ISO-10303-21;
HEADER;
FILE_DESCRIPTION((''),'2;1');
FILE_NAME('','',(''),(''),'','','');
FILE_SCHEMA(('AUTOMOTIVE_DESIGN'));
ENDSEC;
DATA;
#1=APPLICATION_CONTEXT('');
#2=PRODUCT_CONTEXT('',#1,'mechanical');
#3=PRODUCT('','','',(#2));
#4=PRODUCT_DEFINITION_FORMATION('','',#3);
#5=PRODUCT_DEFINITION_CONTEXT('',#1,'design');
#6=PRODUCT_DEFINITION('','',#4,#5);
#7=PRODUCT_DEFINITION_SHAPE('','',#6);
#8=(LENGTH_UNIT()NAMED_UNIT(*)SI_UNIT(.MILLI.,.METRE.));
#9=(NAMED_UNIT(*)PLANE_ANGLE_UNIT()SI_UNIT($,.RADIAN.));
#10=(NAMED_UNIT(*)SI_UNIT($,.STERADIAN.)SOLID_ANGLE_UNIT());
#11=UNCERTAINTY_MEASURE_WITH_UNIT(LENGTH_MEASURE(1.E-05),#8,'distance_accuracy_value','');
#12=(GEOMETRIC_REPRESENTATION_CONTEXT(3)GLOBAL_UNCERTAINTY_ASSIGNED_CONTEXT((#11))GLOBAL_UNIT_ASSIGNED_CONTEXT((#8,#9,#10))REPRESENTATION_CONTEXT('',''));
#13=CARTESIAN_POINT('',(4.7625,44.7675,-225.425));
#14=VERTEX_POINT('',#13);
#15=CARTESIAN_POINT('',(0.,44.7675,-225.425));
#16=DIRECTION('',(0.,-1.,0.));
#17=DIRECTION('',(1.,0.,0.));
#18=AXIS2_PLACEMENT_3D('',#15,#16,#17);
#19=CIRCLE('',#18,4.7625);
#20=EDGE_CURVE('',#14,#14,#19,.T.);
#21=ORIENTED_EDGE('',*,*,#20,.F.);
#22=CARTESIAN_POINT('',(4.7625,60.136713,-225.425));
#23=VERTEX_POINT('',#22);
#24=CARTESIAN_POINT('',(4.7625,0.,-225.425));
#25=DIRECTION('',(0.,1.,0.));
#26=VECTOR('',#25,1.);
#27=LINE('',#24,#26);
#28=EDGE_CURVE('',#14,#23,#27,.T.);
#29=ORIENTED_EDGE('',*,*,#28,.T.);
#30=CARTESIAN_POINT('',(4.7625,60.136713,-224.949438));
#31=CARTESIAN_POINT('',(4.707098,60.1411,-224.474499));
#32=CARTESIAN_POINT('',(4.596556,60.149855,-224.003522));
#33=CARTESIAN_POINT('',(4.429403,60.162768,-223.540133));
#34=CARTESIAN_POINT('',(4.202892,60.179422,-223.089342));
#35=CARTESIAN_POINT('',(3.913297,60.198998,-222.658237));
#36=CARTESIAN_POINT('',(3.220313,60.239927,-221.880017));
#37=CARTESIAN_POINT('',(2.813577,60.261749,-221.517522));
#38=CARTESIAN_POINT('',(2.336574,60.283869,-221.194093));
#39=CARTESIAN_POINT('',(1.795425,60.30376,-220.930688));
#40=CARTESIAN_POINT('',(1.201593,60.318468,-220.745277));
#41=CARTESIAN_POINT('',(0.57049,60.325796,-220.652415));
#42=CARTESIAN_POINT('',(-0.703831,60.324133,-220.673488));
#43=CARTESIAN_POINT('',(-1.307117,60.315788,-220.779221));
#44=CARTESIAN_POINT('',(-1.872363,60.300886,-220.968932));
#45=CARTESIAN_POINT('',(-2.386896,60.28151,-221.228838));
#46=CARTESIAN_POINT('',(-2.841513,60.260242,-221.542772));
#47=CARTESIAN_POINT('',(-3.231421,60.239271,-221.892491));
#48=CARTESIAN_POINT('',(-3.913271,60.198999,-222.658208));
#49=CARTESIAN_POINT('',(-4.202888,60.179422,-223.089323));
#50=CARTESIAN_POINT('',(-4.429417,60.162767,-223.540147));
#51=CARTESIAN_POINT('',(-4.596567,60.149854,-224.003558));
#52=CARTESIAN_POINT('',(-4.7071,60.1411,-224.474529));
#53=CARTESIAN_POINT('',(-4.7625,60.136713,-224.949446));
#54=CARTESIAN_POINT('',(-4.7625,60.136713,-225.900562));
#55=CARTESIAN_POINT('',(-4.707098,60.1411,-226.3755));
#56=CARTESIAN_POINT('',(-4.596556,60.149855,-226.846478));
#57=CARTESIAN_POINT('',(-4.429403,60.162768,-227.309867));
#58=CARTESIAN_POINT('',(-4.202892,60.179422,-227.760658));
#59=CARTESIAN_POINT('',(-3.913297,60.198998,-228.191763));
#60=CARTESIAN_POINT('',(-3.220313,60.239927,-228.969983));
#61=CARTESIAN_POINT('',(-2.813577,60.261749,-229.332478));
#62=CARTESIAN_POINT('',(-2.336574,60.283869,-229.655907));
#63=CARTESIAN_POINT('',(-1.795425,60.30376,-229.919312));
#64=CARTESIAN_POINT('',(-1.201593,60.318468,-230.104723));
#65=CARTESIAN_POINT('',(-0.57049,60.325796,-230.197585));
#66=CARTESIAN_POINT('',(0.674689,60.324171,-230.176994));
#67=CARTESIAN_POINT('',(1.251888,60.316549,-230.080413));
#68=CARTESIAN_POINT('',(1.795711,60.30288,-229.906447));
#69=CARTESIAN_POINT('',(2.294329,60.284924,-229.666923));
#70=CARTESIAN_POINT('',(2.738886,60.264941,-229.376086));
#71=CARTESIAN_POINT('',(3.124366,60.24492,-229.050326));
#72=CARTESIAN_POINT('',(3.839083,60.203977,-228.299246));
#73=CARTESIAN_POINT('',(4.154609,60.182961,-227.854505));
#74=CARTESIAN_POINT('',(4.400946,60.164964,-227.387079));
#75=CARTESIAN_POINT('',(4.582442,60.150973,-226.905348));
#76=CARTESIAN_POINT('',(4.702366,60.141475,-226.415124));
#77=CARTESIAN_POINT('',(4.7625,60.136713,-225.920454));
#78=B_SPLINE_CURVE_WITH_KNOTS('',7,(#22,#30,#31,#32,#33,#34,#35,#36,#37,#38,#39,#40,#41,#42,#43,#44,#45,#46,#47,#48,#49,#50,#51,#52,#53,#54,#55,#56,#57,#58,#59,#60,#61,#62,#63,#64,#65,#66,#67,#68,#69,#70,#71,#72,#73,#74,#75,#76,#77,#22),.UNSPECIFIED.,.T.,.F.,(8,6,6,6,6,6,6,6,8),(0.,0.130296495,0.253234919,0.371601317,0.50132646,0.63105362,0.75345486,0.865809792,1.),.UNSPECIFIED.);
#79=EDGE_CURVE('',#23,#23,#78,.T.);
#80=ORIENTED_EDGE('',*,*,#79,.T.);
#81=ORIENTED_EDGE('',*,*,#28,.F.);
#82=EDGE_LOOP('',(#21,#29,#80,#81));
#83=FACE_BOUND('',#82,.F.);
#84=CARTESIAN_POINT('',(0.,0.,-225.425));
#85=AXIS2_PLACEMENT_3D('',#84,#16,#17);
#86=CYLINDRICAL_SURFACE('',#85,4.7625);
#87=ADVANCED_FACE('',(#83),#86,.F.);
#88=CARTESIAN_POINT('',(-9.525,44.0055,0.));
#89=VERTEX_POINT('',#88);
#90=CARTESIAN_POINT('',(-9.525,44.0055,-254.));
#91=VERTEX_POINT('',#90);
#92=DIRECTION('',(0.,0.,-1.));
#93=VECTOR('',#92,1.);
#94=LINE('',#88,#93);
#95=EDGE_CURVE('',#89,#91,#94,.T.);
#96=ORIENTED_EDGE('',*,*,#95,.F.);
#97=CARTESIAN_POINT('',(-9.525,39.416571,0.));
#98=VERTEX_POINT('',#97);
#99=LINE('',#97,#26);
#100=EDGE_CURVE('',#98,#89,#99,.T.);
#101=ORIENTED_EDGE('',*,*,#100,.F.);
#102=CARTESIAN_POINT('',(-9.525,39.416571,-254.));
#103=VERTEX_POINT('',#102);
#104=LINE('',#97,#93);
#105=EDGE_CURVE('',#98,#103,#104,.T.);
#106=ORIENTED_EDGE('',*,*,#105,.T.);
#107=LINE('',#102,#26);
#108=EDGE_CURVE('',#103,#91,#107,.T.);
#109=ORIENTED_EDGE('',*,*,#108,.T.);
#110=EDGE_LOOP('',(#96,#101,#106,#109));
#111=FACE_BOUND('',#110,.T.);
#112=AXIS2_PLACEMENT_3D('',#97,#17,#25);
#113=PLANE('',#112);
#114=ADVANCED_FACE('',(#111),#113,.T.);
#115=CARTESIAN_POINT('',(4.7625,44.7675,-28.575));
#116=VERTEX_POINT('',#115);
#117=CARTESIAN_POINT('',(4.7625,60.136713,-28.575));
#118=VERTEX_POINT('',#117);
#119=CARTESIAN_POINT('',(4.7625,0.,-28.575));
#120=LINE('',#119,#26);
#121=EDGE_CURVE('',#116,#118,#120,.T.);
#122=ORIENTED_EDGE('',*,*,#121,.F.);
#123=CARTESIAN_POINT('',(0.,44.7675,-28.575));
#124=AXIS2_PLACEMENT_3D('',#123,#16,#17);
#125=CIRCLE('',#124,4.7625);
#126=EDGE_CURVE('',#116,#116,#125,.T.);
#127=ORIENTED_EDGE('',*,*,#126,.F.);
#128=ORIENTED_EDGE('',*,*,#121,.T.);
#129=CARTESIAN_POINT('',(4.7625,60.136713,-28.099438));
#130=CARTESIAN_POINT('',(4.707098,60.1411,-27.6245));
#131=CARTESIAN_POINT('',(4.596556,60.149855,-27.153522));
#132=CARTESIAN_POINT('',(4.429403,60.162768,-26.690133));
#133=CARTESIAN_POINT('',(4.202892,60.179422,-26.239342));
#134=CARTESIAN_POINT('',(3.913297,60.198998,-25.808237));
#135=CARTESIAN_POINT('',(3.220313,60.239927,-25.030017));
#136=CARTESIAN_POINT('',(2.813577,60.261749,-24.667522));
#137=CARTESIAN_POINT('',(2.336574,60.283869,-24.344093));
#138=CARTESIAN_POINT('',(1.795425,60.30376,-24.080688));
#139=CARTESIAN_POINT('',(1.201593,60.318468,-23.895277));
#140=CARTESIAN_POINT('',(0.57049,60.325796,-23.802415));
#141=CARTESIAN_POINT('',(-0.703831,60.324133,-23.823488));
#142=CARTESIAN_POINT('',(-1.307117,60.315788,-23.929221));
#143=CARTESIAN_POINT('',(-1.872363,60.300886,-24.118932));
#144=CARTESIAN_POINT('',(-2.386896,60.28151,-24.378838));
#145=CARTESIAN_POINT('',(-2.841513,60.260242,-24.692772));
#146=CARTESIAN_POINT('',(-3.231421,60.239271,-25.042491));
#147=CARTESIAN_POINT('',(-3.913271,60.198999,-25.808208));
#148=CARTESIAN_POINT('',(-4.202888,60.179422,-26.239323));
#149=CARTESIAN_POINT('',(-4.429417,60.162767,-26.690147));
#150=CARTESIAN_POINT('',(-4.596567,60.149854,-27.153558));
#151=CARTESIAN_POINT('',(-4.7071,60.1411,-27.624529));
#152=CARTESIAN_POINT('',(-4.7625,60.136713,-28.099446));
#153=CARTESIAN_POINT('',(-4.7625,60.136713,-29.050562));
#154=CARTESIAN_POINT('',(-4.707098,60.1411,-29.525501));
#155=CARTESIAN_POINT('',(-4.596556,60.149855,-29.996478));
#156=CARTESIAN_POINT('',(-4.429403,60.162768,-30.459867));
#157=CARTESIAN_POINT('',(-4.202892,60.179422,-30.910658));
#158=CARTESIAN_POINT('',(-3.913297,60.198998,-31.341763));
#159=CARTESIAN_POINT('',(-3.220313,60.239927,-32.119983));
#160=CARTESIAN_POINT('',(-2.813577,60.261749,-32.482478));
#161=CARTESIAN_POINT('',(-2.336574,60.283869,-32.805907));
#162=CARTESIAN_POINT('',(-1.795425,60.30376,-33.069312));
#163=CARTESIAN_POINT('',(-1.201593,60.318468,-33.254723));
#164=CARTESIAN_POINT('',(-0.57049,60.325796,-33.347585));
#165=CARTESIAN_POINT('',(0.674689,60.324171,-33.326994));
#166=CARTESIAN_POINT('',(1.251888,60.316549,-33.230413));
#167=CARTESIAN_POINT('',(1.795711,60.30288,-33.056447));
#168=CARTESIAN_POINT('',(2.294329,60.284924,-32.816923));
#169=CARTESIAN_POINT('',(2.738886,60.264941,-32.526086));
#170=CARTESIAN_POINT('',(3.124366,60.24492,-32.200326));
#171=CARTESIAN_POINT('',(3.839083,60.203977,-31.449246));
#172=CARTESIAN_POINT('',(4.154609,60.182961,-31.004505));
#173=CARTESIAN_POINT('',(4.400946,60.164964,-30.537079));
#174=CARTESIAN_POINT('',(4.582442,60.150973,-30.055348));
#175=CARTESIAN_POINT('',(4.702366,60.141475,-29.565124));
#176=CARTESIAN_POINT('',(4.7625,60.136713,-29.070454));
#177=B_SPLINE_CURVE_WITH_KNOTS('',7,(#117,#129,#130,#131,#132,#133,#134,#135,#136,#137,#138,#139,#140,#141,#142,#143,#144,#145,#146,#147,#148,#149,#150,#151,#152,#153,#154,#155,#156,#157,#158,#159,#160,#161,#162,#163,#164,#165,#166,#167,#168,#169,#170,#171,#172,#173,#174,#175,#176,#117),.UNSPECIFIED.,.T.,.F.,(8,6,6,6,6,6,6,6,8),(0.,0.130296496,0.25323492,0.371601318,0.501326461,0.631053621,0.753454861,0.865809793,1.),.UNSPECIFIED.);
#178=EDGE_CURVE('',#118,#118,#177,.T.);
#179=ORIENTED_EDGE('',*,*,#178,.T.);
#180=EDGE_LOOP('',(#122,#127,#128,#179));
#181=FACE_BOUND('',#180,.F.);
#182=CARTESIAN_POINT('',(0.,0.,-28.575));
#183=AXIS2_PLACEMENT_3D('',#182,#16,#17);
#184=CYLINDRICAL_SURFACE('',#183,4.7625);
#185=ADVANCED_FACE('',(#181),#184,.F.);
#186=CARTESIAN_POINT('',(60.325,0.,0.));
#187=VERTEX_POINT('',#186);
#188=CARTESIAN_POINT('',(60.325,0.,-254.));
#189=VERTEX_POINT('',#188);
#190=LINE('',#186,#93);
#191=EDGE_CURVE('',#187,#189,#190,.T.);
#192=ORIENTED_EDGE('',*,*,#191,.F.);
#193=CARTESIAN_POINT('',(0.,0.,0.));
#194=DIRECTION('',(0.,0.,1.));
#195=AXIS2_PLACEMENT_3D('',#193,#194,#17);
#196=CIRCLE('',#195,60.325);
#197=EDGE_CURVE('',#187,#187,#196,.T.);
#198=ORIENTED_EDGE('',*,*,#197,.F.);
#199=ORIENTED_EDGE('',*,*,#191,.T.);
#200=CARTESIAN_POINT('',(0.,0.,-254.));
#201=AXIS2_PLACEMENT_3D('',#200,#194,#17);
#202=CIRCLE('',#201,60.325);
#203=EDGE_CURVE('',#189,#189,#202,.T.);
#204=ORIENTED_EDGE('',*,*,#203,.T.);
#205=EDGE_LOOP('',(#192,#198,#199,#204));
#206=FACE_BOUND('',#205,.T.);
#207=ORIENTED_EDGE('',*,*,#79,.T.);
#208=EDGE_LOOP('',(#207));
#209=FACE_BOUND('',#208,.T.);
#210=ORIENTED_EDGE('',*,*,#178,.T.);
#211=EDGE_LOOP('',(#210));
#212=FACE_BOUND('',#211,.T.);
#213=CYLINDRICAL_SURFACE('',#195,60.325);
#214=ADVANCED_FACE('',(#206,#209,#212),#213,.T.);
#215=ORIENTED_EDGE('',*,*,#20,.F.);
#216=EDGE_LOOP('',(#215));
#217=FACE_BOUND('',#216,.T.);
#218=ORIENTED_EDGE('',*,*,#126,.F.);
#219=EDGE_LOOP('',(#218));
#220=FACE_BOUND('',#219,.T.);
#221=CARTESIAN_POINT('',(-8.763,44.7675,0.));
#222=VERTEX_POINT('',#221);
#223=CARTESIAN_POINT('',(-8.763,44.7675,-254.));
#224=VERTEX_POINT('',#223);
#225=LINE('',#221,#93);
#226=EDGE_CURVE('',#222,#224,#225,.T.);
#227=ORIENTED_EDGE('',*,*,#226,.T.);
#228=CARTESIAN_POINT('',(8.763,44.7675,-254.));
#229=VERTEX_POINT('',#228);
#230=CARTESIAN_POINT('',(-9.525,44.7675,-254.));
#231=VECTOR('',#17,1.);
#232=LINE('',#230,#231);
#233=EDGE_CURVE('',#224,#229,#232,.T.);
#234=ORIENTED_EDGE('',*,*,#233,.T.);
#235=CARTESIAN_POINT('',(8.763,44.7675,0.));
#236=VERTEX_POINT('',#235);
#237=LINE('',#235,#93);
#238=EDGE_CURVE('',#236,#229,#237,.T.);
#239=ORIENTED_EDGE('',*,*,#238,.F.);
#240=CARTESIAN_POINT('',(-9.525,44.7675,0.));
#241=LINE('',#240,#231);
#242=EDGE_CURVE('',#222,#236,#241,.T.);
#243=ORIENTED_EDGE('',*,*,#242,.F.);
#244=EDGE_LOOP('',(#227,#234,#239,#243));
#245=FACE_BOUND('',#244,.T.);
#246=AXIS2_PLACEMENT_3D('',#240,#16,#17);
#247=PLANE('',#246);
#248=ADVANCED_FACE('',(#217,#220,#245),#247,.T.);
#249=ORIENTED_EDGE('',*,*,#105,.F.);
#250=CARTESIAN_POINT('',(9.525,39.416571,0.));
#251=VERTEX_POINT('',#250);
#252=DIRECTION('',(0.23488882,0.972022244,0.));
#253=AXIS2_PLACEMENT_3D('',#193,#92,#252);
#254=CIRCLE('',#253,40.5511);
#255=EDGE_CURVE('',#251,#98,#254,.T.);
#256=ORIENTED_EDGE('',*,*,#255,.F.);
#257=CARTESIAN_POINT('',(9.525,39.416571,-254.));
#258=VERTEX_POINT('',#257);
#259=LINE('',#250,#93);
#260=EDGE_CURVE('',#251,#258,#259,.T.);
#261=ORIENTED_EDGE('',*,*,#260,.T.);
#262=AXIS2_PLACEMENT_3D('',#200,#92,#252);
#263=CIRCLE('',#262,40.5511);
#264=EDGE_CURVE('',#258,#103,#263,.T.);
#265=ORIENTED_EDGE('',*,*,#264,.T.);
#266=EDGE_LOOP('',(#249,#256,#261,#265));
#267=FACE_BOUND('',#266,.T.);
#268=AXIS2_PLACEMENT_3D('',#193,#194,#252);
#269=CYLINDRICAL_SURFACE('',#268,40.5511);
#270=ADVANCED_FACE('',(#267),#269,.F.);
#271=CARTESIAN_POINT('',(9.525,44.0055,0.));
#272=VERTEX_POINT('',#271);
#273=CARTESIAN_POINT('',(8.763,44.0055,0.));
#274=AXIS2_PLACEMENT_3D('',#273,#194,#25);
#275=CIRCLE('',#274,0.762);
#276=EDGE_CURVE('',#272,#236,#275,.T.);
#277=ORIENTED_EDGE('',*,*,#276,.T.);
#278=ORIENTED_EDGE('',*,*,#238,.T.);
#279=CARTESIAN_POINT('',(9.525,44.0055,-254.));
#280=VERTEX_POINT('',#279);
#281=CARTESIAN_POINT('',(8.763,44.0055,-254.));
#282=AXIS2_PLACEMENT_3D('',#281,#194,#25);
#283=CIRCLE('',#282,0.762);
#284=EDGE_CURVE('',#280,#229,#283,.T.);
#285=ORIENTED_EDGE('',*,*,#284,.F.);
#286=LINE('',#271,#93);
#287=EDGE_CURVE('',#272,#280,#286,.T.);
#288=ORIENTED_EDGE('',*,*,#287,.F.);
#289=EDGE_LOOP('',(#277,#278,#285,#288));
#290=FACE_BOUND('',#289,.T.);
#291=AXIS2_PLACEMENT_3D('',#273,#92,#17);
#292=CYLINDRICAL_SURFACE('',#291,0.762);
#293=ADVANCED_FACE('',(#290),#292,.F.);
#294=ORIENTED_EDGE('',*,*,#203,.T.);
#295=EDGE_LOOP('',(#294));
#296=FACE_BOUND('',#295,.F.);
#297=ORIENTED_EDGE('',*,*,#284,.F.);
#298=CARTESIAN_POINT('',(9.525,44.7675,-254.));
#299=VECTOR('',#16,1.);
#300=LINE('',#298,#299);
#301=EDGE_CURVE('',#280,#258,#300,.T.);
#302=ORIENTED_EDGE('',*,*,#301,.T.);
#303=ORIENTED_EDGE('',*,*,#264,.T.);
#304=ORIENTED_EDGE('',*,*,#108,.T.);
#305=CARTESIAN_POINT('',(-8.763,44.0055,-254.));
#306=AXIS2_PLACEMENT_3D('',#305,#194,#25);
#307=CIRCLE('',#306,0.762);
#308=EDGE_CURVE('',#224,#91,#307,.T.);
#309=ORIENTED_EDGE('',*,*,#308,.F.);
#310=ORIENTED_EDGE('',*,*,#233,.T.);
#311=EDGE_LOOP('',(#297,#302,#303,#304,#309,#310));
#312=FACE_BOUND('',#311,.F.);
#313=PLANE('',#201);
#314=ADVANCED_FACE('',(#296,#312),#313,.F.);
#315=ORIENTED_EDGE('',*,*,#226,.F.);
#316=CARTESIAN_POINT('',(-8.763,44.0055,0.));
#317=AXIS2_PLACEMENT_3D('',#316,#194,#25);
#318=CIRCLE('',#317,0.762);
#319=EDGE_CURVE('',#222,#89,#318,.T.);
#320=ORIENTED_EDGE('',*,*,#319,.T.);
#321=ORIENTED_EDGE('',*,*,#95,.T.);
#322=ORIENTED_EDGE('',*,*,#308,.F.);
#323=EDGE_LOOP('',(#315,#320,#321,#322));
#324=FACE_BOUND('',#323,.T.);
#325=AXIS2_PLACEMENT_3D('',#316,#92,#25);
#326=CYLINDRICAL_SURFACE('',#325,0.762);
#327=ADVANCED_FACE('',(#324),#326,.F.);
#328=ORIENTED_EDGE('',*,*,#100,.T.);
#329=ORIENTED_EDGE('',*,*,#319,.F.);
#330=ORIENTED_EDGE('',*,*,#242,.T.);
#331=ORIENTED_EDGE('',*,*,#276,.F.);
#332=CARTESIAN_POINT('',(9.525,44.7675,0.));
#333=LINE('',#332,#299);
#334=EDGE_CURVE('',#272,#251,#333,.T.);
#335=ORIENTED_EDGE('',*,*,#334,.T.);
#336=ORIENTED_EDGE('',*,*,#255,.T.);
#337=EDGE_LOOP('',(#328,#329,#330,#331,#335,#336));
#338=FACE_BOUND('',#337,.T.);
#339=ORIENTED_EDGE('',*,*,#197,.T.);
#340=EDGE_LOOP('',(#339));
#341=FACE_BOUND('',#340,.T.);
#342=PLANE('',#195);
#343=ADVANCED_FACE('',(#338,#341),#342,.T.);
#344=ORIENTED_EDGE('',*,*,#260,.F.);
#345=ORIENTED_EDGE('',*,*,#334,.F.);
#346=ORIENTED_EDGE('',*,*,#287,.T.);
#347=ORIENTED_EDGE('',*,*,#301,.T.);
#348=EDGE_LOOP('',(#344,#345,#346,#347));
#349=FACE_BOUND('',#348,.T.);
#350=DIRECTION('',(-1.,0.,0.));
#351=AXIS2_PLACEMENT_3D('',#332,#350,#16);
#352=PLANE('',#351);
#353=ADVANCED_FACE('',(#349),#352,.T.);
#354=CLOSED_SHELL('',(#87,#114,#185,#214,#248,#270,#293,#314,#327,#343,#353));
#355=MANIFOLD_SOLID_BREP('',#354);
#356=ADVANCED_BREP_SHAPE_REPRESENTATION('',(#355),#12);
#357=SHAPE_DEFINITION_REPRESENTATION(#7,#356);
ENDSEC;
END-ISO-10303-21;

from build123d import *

# Parameters (mm, degrees)
F0_R     = 60.325
F1_DEPTH = 254
F2_R     = 4.7625
F3_DEPTH = 60.326
F4_R     = 0.762


with BuildPart() as f1:
    # F0 (on Top) → F1 (new body)
    with BuildSketch(Plane.XY):
        Circle(F0_R)
        with BuildLine():
            ThreePointArc((9.525, 39.416571), (0, -40.5511), (-9.525, 39.416571))
            Line((-9.525, 39.416571), (-9.525, 44.7675))
            Line((-9.525, 44.7675), (9.525, 44.7675))
            Line((9.525, 44.7675), (9.525, 39.416571))
        make_face(mode=Mode.SUBTRACT)
    extrude(amount=-F1_DEPTH)

    # F2 (on Front) → F3 (cut, through all)
    with BuildSketch(Plane.XZ):
        with Locations((0, -28.575)):
            Circle(F2_R)
        with Locations((0, -225.425)):
            Circle(F2_R)
    extrude(amount=-F3_DEPTH, mode=Mode.SUBTRACT)

    # F4
    f4_edges = [f1.edges().sort_by_distance(p)[0] for p in [
        (-9.525, 44.7675, -127),
        (9.525, 44.7675, -127),
    ]]
    fillet(f4_edges, radius=F4_R)


solid = f1.part
